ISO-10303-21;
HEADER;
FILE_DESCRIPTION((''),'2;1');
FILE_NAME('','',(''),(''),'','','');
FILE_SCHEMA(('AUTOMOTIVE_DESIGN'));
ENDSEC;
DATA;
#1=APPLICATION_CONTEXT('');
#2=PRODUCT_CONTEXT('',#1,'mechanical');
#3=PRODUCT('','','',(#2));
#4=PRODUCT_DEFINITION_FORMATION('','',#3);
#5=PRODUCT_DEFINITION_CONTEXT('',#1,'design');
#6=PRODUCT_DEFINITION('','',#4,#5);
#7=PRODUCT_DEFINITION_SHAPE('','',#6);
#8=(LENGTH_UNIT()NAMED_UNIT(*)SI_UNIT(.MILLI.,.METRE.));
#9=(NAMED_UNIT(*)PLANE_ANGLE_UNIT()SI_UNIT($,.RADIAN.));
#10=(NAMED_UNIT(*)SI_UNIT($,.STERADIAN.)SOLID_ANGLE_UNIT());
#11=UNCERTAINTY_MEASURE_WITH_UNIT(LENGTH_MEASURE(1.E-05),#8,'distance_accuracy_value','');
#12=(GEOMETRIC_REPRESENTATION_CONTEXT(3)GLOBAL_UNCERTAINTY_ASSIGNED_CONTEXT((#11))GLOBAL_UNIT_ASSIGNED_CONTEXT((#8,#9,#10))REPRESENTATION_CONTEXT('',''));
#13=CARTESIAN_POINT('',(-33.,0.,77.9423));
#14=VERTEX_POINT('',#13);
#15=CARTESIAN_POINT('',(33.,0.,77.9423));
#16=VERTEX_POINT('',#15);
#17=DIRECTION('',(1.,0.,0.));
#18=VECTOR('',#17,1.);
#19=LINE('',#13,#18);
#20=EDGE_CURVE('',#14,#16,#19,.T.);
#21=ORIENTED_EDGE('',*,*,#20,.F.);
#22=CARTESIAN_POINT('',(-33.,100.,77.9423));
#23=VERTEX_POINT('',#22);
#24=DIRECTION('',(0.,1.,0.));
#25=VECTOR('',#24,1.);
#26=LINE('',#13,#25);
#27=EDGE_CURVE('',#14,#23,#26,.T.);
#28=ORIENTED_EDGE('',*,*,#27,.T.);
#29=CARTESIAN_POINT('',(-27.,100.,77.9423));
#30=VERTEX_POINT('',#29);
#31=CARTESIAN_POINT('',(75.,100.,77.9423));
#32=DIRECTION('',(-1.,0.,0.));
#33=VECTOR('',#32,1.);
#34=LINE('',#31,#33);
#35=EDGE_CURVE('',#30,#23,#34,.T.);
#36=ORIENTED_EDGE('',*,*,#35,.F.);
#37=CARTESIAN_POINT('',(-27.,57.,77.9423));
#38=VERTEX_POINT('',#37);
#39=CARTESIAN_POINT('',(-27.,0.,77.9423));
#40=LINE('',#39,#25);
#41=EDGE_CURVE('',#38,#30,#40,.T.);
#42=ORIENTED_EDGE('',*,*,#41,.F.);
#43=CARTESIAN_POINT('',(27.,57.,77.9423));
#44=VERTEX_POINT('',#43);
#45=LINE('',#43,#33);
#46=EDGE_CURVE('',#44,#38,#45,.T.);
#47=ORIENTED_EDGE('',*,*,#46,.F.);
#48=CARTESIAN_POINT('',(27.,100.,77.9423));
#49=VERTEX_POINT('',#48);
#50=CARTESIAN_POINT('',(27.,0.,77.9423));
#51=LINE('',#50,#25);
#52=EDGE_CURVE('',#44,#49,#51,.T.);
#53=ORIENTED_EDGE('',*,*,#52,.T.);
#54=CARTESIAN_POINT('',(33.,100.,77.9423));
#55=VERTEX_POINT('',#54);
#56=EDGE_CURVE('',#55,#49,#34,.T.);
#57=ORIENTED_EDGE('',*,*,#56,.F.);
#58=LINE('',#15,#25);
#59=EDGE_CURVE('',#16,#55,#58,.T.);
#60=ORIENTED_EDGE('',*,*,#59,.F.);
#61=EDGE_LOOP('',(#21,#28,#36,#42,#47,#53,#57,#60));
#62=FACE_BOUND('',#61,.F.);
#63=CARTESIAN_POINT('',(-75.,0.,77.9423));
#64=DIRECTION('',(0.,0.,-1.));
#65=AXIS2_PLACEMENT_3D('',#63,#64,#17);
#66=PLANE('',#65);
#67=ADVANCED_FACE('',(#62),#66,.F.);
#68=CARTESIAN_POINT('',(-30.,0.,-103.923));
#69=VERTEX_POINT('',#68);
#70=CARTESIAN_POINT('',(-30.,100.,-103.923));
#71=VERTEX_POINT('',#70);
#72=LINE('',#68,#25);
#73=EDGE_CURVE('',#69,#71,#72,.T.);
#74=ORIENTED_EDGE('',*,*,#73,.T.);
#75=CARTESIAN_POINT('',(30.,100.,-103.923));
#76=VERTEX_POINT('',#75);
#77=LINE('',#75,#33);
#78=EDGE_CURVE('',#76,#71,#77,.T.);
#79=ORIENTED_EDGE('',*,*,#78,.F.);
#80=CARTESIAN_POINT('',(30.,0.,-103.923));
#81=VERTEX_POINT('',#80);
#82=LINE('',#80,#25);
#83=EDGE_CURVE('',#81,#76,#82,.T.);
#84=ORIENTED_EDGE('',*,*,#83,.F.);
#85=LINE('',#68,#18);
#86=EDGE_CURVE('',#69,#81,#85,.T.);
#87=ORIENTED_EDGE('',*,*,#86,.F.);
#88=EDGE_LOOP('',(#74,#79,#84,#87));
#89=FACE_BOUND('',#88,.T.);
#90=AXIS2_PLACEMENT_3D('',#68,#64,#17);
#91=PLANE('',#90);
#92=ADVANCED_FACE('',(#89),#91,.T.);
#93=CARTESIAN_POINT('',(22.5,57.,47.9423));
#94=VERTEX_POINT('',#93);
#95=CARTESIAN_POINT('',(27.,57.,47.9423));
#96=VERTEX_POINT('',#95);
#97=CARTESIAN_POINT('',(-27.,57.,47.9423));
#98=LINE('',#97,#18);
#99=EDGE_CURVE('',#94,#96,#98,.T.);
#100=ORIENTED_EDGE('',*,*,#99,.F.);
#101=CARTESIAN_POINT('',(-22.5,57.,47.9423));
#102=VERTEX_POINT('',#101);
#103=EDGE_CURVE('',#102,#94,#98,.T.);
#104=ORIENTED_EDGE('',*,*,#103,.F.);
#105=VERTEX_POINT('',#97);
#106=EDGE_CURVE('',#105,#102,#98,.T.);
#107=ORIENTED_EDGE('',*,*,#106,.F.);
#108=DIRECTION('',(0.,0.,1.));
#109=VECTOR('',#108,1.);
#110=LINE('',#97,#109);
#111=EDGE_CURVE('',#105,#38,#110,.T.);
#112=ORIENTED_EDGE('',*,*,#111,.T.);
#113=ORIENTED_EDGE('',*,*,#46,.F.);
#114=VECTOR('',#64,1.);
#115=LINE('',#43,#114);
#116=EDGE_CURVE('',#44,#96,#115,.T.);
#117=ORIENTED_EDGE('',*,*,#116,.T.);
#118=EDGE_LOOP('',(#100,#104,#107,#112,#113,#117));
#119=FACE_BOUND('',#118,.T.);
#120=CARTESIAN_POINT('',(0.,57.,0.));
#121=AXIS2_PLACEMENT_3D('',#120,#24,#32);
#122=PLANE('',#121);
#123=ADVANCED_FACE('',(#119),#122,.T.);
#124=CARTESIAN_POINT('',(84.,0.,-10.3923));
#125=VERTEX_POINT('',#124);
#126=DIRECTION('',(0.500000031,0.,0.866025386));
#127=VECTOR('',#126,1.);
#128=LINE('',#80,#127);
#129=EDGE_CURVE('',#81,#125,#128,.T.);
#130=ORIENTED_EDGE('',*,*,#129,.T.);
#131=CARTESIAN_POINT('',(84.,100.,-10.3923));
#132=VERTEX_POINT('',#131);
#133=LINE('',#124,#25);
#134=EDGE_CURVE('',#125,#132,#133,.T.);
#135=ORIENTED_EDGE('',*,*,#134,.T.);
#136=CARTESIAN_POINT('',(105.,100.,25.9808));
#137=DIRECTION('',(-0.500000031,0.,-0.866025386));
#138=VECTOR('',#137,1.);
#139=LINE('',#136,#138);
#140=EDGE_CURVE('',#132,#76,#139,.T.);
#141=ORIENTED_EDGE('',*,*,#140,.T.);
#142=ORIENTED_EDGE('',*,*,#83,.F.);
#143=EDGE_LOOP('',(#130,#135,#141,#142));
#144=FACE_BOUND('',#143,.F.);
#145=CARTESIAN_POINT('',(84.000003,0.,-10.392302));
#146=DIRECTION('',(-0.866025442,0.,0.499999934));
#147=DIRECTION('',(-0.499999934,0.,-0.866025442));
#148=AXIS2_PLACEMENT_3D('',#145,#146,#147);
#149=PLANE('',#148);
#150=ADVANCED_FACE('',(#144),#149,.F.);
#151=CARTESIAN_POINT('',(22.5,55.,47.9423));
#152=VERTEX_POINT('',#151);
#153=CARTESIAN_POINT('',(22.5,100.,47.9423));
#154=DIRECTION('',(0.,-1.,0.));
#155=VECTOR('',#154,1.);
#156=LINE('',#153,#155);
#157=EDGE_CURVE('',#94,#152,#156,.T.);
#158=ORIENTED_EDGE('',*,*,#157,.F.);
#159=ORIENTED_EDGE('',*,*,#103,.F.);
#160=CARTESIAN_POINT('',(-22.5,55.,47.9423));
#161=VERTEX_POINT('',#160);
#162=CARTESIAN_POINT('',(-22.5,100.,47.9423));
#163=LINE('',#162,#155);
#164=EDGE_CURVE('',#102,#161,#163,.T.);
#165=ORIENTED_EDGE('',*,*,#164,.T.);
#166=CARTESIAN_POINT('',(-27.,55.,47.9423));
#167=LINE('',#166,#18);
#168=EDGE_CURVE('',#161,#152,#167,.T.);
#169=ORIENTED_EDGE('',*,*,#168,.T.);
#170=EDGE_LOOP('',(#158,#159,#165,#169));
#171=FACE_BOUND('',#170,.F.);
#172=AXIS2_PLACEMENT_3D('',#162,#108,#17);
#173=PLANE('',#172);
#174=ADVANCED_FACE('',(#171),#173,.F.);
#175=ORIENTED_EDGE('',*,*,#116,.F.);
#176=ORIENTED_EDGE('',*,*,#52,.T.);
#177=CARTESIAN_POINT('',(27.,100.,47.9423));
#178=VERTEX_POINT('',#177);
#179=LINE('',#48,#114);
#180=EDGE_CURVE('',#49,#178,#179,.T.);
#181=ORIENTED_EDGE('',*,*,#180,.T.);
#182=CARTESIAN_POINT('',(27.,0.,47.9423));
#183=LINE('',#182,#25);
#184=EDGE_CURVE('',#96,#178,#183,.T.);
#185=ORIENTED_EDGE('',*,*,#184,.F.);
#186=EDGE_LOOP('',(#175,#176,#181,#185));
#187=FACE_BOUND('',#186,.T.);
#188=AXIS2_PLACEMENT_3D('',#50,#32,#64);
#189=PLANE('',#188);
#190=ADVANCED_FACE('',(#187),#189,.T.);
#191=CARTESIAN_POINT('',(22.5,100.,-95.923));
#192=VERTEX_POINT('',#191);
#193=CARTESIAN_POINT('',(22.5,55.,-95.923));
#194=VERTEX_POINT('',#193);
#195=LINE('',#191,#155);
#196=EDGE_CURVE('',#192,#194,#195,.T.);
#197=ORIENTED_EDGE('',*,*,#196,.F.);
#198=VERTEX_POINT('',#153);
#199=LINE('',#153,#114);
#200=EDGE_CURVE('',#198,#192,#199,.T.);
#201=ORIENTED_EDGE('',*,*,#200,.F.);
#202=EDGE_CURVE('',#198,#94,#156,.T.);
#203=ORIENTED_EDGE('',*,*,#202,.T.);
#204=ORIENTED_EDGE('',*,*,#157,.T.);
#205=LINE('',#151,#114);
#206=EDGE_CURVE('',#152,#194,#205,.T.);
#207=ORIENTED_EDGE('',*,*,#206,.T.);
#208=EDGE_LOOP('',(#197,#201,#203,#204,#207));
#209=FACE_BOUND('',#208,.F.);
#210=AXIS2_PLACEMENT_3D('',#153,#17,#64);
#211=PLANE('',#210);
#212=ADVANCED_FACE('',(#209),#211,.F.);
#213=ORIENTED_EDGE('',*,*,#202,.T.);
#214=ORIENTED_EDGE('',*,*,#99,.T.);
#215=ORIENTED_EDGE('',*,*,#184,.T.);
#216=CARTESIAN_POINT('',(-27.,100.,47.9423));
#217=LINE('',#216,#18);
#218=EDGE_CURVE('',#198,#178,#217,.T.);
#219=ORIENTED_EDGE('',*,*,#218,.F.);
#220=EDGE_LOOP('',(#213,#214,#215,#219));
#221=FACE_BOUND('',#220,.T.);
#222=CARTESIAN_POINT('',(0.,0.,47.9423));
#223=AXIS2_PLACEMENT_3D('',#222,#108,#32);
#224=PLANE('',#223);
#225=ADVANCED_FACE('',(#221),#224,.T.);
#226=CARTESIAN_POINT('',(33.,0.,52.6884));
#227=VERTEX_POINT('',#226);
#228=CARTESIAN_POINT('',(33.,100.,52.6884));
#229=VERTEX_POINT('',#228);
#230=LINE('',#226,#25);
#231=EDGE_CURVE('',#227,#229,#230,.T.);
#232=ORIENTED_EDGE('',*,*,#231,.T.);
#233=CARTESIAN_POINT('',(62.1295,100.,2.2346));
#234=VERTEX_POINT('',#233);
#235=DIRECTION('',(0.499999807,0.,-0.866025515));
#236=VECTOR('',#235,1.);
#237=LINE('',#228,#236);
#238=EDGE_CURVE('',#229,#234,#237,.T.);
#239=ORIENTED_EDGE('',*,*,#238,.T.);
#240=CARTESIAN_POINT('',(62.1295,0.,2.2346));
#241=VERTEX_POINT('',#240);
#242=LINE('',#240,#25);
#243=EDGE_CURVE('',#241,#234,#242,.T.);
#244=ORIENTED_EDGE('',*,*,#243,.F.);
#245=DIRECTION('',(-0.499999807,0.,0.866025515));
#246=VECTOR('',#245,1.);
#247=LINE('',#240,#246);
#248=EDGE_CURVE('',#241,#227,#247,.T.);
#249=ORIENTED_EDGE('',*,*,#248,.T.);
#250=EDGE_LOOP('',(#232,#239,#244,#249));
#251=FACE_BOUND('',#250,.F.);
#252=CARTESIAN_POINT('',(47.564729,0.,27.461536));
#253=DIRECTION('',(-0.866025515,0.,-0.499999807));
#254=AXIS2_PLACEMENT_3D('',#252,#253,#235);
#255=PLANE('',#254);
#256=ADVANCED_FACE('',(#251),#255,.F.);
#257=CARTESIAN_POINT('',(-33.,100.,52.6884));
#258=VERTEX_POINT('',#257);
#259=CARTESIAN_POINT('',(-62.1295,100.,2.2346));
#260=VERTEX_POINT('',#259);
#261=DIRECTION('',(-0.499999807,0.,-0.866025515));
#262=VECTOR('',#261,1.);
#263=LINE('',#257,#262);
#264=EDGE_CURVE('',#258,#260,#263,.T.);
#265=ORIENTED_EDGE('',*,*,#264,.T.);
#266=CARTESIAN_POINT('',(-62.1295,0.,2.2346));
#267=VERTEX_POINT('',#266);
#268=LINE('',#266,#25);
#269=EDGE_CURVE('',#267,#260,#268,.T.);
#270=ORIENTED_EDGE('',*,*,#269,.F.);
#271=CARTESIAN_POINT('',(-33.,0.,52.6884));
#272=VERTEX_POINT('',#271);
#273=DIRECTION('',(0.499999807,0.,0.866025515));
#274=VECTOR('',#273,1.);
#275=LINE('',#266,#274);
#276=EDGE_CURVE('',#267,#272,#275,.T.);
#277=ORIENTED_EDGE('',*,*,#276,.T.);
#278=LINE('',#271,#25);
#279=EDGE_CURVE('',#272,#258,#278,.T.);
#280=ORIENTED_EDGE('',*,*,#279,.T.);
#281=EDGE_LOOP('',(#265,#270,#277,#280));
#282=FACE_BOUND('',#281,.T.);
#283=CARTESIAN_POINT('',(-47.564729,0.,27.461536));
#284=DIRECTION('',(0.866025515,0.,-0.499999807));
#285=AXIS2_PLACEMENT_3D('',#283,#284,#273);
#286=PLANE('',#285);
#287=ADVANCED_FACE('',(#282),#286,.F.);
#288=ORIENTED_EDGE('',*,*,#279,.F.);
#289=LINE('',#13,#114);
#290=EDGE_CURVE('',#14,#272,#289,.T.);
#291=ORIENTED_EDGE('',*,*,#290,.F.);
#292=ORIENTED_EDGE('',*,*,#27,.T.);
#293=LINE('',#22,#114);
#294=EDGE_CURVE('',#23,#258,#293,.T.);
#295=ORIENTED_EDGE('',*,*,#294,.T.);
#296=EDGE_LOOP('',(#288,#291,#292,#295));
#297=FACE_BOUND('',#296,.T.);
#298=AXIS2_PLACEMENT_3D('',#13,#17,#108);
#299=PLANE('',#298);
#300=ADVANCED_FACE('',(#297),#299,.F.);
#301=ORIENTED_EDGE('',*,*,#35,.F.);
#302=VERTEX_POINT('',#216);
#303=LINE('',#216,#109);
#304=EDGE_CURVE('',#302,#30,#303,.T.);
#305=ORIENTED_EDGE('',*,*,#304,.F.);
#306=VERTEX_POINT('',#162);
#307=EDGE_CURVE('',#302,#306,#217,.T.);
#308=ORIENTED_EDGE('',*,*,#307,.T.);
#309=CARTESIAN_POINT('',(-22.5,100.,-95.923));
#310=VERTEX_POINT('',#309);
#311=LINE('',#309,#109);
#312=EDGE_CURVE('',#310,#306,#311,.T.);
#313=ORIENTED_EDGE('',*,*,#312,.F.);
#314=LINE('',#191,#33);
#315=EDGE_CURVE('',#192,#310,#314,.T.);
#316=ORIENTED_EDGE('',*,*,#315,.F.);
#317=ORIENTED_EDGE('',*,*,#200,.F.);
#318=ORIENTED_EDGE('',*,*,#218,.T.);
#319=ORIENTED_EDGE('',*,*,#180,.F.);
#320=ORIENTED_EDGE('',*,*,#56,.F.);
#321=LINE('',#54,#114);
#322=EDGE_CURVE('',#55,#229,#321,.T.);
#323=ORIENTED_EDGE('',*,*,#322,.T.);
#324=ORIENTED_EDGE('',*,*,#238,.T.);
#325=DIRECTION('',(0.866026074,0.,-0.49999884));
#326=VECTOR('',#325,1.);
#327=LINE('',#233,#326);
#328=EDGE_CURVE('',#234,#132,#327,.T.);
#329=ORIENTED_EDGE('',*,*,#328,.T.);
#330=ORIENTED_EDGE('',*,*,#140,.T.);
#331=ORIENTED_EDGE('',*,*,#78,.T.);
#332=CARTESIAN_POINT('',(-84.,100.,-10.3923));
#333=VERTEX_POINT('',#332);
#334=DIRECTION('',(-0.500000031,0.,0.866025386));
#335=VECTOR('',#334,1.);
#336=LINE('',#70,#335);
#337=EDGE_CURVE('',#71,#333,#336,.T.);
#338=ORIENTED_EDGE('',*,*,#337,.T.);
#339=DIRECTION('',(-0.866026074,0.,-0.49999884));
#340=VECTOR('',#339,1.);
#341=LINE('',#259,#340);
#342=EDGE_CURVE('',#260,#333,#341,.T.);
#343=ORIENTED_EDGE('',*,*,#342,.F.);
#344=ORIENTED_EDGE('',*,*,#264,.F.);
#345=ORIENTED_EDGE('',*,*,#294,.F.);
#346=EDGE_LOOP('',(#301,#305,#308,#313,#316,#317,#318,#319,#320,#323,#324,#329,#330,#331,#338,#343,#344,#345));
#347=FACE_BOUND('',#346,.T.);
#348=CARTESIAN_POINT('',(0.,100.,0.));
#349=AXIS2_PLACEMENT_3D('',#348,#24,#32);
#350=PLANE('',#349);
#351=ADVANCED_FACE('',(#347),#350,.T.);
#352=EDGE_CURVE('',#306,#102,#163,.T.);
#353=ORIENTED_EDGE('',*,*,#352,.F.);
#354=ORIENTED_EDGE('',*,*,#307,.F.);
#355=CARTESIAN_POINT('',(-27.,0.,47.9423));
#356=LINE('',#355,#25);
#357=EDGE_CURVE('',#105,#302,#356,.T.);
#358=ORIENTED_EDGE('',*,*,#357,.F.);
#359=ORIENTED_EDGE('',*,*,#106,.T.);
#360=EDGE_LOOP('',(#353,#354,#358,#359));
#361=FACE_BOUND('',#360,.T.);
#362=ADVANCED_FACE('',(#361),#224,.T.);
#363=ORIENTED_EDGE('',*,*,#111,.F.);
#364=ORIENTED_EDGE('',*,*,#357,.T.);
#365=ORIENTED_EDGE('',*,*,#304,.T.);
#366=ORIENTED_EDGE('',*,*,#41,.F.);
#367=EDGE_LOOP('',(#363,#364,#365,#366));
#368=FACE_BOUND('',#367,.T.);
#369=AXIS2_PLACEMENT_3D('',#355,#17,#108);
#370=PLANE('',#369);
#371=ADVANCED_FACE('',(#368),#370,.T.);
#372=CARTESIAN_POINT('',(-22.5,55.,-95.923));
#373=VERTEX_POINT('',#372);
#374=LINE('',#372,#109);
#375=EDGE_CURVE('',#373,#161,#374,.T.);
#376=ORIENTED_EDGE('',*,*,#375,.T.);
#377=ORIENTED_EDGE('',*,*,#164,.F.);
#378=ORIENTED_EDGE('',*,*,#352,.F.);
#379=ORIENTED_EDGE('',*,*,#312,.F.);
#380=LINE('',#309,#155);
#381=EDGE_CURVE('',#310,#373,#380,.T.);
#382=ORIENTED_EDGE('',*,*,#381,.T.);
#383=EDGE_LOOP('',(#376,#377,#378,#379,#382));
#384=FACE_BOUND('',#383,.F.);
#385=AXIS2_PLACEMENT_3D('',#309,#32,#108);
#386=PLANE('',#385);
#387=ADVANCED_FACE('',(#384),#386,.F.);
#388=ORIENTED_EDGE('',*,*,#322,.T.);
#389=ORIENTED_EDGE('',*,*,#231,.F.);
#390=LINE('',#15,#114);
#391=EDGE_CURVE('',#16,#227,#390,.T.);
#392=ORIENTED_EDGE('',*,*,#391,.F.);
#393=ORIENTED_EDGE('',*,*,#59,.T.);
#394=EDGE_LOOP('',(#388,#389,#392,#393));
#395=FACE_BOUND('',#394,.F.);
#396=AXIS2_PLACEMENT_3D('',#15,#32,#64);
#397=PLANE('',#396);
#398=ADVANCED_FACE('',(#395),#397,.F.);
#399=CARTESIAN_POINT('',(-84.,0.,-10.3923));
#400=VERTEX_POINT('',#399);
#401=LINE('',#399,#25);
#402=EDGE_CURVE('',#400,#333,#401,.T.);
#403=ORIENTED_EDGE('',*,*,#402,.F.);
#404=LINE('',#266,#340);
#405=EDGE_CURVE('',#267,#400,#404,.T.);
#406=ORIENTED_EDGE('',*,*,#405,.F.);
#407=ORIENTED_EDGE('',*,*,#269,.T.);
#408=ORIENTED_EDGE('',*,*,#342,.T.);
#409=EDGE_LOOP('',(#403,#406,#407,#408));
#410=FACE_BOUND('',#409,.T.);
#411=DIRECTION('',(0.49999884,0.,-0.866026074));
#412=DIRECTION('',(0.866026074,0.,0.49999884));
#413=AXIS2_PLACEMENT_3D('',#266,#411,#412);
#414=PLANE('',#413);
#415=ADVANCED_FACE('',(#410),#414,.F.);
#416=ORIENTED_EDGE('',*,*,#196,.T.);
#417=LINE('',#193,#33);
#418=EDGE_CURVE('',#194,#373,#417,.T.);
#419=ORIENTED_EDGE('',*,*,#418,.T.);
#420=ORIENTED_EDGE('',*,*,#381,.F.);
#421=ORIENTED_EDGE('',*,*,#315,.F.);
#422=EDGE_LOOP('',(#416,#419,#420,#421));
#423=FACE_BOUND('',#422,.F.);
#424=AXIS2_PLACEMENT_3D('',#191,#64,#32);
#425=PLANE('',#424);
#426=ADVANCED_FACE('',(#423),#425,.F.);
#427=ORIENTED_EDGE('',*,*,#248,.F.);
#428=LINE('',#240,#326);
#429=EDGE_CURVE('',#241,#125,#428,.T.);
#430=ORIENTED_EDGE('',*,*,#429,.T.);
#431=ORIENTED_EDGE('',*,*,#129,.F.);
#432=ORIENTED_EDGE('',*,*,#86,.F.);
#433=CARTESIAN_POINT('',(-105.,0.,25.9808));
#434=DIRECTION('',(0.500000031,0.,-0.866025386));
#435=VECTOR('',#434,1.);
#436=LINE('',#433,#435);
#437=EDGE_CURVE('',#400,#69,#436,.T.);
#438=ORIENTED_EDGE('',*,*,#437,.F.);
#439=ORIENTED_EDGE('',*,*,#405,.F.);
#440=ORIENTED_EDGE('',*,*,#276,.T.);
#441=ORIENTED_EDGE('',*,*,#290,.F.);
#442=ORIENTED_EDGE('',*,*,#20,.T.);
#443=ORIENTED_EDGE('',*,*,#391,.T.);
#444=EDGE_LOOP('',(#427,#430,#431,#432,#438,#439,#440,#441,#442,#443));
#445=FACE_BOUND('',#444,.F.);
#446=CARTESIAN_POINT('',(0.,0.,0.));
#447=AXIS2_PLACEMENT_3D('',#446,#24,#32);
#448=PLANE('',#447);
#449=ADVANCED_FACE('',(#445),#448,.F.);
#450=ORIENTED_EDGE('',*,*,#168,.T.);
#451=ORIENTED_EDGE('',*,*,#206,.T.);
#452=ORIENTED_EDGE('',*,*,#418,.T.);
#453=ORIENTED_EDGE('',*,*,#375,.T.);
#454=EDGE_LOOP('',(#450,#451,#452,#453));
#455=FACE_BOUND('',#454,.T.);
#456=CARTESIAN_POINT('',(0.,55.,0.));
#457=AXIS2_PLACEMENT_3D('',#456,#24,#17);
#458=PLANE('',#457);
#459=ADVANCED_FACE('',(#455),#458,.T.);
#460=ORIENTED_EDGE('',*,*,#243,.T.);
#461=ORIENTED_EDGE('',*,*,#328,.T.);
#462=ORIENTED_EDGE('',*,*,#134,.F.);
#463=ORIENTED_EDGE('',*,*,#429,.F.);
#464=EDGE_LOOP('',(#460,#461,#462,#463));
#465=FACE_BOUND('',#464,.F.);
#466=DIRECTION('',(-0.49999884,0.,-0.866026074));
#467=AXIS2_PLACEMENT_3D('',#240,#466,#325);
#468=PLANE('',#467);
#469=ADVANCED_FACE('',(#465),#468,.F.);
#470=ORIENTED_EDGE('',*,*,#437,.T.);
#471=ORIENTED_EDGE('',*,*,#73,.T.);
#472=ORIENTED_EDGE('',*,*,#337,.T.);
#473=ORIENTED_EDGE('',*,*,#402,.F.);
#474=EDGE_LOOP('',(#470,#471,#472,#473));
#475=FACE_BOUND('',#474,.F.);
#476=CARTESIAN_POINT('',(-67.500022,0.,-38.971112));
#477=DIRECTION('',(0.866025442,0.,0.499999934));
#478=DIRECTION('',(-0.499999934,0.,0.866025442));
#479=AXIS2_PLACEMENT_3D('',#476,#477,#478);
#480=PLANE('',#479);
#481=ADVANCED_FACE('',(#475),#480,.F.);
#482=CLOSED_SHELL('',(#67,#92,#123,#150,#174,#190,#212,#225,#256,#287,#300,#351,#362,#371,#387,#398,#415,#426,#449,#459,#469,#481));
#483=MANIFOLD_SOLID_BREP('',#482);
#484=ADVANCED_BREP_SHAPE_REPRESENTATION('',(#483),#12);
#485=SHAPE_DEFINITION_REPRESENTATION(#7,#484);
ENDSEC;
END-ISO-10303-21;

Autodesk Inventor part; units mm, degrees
ref_plane "YZ Plane" through (0, 0, 0) normal (1, 0, 0) x (0, 1, 0)
ref_plane "XZ Plane" through (0, 0, 0) normal (0, 1, 0) x (-1, 0, 0)
ref_plane "XY Plane" through (0, 0, 0) normal (0, 0, 1) x (1, 0, 0)
sketch "スケッチ1" plane through (0, 0, 0) normal (0, 1, 0) x (-1, 0, 0)
  line L0 (135, 77.9423) -> (-135, 77.9423)
  line L1 (-135, 77.9423) -> (0, -155.8846)
  line L2 (0, -155.8846) -> (135, 77.9423)
  line L3 (135, 77.9423) -> (-67.5, -38.9711)
  line L4 (75, 77.9423) -> (105, 25.9808)
  line L5 (30, -103.923) -> (-30, -103.923)
  line L6 (-105, 25.9808) -> (-75, 77.9423)
  line L7 (0, 77.9423) -> (0, -155.8846)
  line L8 (-135, 77.9423) -> (67.5, -38.9711)
  line L9 (-33, 77.9423) -> (-33, 52.6884)
  line L10 (-33, 52.6884) -> (-62.1295, 2.2346)
  line L11 (-62.1295, 2.2346) -> (-84, -10.3923)
  line L12 (27, 77.9423) -> (-27, 77.9423)
  line L13 (-27, 77.9423) -> (-27, 47.9423)
  line L14 (-27, 47.9423) -> (27, 47.9423)
  line L15 (27, 47.9423) -> (27, 77.9423)
  point P0 (0, 0)
  point P1 (0, 77.9423)
  point P2 (0, 47.9423)
  dimension "d0" = 270
  dimension "d2" = 30
  dimension "d5" = 42
  dimension "d6" = 49
  dimension "d9" = 54
  dimension "d14" = 30
extrude "押し出し1" add sketch "スケッチ1" along normal blind 100 contours L4 L3 L7 L14 L15 L0 | L2 L8 L3 L4 | L15 L14 L7 L0 | L2 L5 L7 L8 | L7 L5 L1 L3 | L8 L10 L9 L0 L13 L14 L7 | L3 L1 L11 L10 L8 | L7 L14 L13 L0 | L10 L11 L1 L6 L8 | L8 L6 L0 L9 L10
extrude "押し出し2" cut sketch "スケッチ1" along normal blind 100 contours L10 L11 L1 L6 L8 | L8 L6 L0 L9 L10
mirror "ミラー1" about plane through (0, 0, 0) normal (1, 0, 0) of "押し出し2"
extrude "押し出し3" cut sketch "スケッチ1" along normal blind 100 contours L15 L14 L7 L0 | L7 L14 L13 L0
extrude "押し出し4" add sketch "スケッチ1" along normal blind 57 contours L15 L14 L7 L0 | L7 L14 L13 L0
sketch "スケッチ2" plane through (0, 100, 0) normal (0, 1, 0) x (1, 0, 0)
  line L0 (-27, -47.9423) -> (27, -47.9423) projected
  line L1 (-22.5, -47.9423) -> (22.5, -47.9423)
  line L2 (22.5, -47.9423) -> (22.5, 95.923)
  line L3 (22.5, 95.923) -> (-22.5, 95.923)
  line L4 (-22.5, 95.923) -> (-22.5, -47.9423)
  line L5 (30, 103.923) -> (-30, 103.923) projected
  point P0 (0, 0)
  point P1 (0, -47.9423)
  dimension "d15" = 45
  dimension "d16" = 8
extrude "押し出し5" cut sketch "スケッチ2" against normal blind 45
properties part number "cover"
